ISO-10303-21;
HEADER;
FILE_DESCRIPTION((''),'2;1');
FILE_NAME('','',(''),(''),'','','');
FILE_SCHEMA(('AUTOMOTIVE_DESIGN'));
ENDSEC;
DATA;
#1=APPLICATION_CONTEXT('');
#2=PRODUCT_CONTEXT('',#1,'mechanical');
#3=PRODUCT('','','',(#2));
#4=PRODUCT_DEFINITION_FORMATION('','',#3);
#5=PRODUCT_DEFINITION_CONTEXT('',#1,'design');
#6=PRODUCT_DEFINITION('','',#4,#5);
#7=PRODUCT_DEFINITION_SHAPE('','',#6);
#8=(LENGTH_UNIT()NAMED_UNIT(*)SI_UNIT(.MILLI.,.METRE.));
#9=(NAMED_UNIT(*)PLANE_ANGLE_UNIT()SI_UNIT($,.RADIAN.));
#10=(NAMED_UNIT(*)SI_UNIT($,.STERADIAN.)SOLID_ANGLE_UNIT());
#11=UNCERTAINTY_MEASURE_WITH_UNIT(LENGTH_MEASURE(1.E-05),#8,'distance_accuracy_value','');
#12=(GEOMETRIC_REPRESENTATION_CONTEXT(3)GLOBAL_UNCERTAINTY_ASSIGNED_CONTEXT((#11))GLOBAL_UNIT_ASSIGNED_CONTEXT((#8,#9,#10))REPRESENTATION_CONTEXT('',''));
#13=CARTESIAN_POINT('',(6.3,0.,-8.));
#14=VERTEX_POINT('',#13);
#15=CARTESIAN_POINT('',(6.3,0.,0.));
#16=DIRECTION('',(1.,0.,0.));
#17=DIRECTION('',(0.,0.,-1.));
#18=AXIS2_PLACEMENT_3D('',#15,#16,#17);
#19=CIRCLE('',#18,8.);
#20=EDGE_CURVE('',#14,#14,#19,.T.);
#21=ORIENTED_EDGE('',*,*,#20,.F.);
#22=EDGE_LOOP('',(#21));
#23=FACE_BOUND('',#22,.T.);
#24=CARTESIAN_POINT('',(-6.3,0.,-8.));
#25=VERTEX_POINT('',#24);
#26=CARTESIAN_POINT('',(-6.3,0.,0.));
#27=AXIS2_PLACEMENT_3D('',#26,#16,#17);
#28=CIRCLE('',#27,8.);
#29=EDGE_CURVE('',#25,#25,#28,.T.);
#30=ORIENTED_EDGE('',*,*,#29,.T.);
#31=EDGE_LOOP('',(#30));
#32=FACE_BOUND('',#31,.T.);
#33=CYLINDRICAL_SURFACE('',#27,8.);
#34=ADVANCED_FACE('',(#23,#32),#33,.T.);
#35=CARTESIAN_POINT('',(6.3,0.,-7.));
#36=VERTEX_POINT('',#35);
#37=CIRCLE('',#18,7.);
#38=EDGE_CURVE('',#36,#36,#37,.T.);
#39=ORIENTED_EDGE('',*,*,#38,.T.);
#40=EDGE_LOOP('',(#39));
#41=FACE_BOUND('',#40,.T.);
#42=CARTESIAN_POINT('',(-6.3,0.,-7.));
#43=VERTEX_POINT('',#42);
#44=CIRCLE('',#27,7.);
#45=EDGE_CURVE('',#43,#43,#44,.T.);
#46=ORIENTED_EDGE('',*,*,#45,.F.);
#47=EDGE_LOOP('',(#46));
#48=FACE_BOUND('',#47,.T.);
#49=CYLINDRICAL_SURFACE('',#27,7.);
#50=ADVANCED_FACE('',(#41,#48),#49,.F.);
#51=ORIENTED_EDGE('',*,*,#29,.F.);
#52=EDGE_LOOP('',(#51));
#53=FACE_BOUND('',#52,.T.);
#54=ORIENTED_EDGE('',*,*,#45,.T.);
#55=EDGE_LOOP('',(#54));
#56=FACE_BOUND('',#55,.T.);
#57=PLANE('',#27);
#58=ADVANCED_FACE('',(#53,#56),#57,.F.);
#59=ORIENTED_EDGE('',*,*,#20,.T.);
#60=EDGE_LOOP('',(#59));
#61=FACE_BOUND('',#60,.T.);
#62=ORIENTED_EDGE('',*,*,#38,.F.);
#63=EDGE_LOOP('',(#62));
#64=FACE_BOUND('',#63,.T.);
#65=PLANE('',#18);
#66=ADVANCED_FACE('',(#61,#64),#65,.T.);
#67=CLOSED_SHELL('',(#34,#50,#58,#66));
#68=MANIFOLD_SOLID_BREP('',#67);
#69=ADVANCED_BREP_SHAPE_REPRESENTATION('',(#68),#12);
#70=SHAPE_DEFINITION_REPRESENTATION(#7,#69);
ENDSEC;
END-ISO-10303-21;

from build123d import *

# Parameters (mm, degrees)
BOSS_EXTRUDE1_DEPTH      = 6.3
BOSS_EXTRUDE1_DEPTH_BACK = 6.3
SKETCH1_R                = 8
SKETCH1_R_2              = 7


with BuildPart() as part:
    # Sketch1 → Boss-Extrude1 (new, two sides: drawn at the far end of the back side and taken through both)
    with BuildSketch(Plane(origin=(0, 0, 0), x_dir=(0, 0, -1), z_dir=(1, 0, 0)).offset(-BOSS_EXTRUDE1_DEPTH_BACK)):
        Circle(SKETCH1_R)
        Circle(SKETCH1_R_2, mode=Mode.SUBTRACT)
    extrude(amount=BOSS_EXTRUDE1_DEPTH + BOSS_EXTRUDE1_DEPTH_BACK)


solid = part.part
